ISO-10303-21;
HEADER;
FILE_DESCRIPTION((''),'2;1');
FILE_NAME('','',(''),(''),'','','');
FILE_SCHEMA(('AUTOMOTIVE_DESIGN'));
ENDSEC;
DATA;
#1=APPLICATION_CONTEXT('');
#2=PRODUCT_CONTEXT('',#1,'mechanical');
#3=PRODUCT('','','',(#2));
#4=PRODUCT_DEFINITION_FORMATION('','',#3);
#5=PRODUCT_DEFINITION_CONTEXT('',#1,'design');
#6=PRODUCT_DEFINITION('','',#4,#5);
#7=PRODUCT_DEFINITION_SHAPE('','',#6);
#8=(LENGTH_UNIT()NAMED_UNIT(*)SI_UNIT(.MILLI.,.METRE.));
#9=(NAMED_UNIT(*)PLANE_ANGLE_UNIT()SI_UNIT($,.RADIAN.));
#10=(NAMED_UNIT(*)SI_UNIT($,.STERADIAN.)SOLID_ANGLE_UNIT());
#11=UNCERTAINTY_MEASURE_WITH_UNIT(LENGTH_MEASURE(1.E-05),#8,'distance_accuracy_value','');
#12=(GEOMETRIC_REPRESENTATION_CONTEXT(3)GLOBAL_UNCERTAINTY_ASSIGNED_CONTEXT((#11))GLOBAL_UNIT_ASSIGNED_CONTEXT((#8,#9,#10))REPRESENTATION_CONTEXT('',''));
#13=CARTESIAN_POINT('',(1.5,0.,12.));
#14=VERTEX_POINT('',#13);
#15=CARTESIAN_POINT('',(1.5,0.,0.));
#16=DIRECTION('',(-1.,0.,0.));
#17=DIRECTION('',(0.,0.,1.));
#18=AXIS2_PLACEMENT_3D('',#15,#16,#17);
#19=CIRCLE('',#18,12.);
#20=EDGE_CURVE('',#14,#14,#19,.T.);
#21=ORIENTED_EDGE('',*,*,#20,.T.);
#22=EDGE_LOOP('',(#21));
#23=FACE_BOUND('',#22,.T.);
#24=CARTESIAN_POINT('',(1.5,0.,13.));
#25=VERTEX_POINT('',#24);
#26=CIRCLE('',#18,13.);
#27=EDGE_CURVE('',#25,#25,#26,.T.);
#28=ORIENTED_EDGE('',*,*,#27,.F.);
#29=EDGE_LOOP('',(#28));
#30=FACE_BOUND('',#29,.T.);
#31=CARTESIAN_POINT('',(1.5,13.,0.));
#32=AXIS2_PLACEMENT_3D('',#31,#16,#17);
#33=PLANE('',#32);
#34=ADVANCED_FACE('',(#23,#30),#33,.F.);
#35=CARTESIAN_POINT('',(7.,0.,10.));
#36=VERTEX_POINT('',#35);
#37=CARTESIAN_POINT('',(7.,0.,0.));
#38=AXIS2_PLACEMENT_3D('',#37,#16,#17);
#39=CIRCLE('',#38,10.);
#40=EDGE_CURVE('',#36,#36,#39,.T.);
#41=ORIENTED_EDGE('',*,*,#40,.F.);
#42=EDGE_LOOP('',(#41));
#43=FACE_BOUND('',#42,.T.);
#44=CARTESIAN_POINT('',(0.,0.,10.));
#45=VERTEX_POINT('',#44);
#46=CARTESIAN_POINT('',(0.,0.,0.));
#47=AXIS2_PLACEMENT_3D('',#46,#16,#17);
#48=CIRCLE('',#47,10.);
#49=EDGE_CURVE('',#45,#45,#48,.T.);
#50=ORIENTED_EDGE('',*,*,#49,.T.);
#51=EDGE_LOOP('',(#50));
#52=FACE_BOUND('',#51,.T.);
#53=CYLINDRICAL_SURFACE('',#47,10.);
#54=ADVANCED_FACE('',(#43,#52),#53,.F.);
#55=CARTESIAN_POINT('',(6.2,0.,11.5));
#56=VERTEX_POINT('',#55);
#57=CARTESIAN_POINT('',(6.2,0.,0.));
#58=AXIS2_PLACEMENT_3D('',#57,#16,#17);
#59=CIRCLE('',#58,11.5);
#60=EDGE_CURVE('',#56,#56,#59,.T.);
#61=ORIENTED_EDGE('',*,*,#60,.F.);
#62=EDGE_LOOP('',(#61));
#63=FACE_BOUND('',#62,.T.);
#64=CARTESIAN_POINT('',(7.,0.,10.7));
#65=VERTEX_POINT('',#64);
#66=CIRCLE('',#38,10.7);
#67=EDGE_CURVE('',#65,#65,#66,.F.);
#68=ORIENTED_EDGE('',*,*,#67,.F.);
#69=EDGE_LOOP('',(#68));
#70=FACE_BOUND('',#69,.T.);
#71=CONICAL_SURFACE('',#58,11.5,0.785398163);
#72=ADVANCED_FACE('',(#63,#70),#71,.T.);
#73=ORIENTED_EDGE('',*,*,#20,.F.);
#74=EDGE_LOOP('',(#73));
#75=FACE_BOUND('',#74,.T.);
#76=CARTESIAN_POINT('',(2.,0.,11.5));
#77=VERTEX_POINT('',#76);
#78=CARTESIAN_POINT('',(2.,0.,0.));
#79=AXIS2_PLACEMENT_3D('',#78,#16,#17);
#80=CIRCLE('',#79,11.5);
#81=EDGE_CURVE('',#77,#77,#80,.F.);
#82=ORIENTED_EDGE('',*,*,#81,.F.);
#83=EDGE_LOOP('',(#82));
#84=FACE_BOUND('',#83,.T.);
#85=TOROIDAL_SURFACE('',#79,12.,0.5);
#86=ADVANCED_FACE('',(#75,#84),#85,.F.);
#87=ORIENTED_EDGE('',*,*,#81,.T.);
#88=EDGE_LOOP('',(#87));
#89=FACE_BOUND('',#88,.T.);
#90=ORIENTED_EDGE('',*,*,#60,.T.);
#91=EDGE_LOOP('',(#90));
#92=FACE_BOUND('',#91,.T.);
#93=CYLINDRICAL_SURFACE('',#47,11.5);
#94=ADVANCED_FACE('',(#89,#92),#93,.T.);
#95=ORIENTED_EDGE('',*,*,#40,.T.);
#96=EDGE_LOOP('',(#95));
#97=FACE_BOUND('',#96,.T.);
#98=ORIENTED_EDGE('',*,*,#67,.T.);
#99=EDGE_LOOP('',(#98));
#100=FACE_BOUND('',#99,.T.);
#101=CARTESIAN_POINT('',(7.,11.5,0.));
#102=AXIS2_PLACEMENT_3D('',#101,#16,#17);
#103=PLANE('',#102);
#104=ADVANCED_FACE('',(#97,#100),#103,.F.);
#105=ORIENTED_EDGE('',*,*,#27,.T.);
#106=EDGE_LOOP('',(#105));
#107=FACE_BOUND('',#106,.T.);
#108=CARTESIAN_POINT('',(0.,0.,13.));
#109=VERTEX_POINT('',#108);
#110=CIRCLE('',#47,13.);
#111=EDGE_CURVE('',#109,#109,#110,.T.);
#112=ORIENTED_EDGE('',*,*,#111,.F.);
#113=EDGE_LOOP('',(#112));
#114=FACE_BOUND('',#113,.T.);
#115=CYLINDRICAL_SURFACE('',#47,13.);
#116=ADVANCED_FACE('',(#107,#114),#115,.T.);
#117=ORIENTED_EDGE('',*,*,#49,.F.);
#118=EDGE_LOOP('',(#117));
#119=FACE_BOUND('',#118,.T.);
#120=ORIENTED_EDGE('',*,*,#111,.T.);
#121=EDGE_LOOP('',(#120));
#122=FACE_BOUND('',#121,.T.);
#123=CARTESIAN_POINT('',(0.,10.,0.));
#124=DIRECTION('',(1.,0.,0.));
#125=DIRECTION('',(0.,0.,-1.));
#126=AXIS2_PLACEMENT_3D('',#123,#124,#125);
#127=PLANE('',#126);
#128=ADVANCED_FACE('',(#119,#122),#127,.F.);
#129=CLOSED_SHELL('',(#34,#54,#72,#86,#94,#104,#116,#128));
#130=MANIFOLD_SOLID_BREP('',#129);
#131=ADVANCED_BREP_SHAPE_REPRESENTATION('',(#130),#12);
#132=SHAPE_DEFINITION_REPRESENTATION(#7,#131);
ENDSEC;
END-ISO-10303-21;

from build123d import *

# Parameters (mm, degrees)
FILLET1_R     = 0.5
CHAMFER1_SIZE = 0.8


with BuildPart() as part:
    # Sketch1 → Revolve1 (revolve)
    with BuildSketch(Plane.XY, mode=Mode.PRIVATE) as revolve1_sk:
        Polygon((7, 10), (0, 10), (0, 13), (1.5, 13), (1.5, 11.5), (7, 11.5), align=None)
    revolve(revolve1_sk.sketch.rotate(Axis((0, 0, 0), (1, 0, 0)), 90), axis=Axis((0, 0, 0), (1, 0, 0)))

    # Fillet1
    fillet1_edges = [part.edges().sort_by_distance(p)[0] for p in [
        (1.5, 0, -11.5),
    ]]
    fillet(fillet1_edges, radius=FILLET1_R)

    # Chamfer1
    chamfer1_edges = [part.edges().sort_by_distance(p)[0] for p in [
        (7, 0, -11.5),
    ]]
    chamfer(chamfer1_edges, length=CHAMFER1_SIZE)


solid = part.part
